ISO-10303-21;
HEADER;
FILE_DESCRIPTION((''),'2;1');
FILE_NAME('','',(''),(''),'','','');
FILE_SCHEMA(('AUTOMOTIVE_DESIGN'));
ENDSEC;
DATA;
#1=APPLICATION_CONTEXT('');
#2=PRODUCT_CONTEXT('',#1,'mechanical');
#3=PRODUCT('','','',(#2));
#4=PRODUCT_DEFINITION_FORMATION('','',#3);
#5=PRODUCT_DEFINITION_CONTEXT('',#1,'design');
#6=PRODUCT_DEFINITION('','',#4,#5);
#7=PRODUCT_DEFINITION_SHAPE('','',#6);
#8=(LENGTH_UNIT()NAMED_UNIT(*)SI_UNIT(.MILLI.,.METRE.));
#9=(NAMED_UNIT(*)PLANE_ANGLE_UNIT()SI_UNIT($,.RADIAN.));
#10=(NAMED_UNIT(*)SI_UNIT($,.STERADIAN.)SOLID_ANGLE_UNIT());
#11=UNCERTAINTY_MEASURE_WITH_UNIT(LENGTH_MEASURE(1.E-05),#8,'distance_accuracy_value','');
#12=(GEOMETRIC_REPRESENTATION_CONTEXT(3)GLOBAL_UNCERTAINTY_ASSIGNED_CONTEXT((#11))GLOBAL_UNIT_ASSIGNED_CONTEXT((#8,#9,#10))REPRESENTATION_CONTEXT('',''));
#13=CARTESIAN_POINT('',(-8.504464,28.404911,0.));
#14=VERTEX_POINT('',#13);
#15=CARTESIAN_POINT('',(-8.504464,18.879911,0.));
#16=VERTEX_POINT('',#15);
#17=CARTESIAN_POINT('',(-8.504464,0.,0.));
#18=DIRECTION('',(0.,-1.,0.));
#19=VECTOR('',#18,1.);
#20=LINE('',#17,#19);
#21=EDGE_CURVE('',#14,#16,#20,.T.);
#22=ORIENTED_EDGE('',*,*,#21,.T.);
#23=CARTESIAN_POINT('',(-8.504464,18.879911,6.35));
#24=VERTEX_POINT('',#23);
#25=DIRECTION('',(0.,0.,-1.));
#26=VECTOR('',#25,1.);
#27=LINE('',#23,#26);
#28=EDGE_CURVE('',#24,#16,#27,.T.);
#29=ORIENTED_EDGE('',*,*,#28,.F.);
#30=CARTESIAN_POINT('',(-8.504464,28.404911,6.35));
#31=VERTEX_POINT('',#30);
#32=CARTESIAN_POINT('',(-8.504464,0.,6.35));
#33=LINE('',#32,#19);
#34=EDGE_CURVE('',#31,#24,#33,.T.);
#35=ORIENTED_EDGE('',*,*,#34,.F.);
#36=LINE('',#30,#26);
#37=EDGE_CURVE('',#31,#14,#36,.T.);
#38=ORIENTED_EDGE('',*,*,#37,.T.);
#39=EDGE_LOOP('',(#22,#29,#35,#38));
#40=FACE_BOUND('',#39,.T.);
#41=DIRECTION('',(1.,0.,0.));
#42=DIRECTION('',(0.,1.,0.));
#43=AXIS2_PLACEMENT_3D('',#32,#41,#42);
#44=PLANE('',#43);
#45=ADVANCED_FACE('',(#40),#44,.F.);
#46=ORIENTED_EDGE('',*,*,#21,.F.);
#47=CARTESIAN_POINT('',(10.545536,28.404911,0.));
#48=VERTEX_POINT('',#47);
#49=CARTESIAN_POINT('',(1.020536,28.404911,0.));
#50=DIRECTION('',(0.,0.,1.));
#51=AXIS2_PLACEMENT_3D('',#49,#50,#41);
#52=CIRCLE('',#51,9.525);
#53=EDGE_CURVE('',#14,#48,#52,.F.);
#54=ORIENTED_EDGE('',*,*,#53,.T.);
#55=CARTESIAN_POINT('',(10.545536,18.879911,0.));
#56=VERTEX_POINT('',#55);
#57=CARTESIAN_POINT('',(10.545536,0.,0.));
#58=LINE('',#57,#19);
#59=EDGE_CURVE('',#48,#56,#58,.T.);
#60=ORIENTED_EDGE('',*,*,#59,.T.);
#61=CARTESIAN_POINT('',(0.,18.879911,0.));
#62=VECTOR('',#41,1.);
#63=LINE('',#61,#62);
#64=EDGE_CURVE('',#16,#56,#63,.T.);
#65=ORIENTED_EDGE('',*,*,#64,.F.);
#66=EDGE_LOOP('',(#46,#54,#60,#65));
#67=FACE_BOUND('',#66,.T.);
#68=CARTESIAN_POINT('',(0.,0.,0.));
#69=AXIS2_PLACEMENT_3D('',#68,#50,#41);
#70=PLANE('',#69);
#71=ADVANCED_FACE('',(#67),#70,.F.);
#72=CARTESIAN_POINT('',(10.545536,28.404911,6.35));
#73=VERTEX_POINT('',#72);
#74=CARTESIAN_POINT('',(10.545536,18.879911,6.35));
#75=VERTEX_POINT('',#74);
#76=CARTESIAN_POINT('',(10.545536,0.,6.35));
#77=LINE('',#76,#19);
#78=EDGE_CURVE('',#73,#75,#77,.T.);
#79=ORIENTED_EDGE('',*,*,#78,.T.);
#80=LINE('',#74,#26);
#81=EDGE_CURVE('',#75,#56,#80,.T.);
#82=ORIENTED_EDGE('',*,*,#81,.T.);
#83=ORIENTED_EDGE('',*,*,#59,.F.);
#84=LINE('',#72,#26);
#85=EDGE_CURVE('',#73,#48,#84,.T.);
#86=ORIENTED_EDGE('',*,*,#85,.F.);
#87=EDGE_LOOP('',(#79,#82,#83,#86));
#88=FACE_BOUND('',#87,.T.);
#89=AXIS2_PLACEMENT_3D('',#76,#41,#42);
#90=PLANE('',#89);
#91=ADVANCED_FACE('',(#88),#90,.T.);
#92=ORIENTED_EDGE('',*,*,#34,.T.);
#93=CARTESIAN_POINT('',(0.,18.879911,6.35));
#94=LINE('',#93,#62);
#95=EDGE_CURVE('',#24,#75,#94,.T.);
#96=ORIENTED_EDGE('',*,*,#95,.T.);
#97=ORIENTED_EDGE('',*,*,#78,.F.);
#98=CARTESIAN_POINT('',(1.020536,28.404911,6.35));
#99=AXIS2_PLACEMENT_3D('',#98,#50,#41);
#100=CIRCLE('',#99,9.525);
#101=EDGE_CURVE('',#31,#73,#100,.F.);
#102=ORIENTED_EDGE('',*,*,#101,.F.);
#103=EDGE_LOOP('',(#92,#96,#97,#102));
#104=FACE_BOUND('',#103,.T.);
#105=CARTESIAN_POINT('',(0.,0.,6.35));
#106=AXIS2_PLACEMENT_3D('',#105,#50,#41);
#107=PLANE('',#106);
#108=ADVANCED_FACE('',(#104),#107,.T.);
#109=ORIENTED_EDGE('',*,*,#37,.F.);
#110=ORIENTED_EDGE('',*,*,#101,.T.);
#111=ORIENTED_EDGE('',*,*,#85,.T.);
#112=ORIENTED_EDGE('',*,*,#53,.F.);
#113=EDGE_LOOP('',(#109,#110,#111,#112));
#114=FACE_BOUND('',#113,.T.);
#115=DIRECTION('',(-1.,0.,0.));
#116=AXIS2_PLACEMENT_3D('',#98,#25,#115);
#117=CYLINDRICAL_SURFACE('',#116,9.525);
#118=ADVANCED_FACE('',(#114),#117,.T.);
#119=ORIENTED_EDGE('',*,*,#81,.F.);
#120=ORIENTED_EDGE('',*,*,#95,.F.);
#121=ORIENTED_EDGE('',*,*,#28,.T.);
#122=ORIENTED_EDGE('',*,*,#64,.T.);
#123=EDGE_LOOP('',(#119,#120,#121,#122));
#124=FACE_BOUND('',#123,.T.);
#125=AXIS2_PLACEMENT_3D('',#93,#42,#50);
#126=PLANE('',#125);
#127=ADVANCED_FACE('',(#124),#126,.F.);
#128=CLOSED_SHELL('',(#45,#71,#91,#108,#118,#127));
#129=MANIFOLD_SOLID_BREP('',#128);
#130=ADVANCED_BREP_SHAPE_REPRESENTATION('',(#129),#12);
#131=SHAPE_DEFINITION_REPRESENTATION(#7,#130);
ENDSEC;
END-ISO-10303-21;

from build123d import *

# Parameters (mm, degrees)
SKETCH1_W           = 19.05
SKETCH1_H           = 9.525
BOSS_EXTRUDE1_DEPTH = 6.35


with BuildPart() as part:
    # Sketch1 → Boss-Extrude1 (new body)
    with BuildSketch(Plane.XY):
        with BuildLine():
            ThreePointArc((-8.504464286, 28.404910714), (1.020535714, 37.929910714), (10.545535714, 28.404910714))
            Line((10.545535714, 28.404910714), (-8.504464286, 28.404910714))
        make_face()
        with Locations((1.020535714, 23.642410714)):
            Rectangle(SKETCH1_W, SKETCH1_H)
    extrude(amount=BOSS_EXTRUDE1_DEPTH)


solid = part.part
